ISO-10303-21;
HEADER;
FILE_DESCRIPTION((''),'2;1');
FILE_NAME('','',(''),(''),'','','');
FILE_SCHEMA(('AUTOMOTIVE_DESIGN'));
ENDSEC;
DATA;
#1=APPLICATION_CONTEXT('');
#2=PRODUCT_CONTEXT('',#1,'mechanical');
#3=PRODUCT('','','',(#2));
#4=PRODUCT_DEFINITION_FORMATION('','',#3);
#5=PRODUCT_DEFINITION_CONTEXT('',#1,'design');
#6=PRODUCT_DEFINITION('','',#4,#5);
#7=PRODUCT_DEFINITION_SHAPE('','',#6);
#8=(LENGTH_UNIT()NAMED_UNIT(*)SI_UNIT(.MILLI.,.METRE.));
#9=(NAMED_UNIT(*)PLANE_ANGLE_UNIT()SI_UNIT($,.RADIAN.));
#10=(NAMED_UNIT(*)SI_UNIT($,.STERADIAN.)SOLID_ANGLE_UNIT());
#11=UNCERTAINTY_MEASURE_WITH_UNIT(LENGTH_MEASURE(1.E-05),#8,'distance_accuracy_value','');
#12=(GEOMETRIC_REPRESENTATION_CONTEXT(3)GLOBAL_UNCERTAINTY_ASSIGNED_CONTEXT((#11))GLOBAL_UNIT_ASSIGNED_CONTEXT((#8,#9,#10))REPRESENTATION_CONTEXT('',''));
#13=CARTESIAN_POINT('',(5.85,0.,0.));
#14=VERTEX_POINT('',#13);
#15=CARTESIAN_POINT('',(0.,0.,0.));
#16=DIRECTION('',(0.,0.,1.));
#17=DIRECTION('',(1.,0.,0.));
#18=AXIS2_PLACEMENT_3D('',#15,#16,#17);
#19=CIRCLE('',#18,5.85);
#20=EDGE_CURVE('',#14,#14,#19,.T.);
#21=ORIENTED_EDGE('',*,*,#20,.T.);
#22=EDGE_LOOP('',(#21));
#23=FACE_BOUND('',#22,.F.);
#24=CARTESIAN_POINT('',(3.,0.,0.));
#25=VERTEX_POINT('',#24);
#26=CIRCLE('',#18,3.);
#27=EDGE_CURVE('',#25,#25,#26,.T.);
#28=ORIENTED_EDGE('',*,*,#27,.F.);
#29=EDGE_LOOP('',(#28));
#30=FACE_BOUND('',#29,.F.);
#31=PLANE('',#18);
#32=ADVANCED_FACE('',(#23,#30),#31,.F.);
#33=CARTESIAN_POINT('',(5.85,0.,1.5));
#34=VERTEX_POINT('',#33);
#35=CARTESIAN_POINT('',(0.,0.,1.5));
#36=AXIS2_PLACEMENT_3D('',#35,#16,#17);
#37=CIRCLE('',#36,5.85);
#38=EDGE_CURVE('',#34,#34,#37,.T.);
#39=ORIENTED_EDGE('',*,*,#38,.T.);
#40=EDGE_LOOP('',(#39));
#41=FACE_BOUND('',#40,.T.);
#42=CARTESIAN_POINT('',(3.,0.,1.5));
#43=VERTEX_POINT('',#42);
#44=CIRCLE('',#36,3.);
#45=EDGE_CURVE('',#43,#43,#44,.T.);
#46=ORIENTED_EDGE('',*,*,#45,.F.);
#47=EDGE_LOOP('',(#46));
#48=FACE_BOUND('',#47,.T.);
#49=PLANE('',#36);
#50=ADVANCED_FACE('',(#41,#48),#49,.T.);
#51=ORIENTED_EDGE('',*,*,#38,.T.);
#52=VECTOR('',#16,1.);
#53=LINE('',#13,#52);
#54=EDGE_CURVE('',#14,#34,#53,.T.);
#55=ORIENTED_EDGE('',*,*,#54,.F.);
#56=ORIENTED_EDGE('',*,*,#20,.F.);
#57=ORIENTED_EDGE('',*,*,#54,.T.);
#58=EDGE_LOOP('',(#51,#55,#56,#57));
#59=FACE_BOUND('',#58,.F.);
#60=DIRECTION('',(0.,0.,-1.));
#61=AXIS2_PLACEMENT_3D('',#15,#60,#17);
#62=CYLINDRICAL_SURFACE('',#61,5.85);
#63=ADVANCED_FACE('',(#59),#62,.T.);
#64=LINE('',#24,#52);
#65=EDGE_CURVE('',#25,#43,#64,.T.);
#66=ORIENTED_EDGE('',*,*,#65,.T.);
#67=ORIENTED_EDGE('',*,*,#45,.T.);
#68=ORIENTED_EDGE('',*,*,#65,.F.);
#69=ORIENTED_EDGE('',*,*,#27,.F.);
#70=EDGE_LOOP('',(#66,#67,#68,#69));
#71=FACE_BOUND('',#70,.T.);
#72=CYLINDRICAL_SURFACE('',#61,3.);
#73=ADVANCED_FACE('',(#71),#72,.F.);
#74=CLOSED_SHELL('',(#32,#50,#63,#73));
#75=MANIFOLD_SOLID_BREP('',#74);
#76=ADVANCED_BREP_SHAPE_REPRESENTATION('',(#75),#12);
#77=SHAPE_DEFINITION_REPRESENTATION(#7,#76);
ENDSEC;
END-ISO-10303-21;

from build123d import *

# Parameters (mm, degrees)
SKETCH_R   = 5.85
SKETCH_R_2 = 3
PAD_DEPTH  = 1.5


with BuildPart() as part:
    # Sketch → Pad (new body)
    with BuildSketch(Plane.XY):
        Circle(SKETCH_R)
        Circle(SKETCH_R_2, mode=Mode.SUBTRACT)
    extrude(amount=PAD_DEPTH)


solid = part.part
